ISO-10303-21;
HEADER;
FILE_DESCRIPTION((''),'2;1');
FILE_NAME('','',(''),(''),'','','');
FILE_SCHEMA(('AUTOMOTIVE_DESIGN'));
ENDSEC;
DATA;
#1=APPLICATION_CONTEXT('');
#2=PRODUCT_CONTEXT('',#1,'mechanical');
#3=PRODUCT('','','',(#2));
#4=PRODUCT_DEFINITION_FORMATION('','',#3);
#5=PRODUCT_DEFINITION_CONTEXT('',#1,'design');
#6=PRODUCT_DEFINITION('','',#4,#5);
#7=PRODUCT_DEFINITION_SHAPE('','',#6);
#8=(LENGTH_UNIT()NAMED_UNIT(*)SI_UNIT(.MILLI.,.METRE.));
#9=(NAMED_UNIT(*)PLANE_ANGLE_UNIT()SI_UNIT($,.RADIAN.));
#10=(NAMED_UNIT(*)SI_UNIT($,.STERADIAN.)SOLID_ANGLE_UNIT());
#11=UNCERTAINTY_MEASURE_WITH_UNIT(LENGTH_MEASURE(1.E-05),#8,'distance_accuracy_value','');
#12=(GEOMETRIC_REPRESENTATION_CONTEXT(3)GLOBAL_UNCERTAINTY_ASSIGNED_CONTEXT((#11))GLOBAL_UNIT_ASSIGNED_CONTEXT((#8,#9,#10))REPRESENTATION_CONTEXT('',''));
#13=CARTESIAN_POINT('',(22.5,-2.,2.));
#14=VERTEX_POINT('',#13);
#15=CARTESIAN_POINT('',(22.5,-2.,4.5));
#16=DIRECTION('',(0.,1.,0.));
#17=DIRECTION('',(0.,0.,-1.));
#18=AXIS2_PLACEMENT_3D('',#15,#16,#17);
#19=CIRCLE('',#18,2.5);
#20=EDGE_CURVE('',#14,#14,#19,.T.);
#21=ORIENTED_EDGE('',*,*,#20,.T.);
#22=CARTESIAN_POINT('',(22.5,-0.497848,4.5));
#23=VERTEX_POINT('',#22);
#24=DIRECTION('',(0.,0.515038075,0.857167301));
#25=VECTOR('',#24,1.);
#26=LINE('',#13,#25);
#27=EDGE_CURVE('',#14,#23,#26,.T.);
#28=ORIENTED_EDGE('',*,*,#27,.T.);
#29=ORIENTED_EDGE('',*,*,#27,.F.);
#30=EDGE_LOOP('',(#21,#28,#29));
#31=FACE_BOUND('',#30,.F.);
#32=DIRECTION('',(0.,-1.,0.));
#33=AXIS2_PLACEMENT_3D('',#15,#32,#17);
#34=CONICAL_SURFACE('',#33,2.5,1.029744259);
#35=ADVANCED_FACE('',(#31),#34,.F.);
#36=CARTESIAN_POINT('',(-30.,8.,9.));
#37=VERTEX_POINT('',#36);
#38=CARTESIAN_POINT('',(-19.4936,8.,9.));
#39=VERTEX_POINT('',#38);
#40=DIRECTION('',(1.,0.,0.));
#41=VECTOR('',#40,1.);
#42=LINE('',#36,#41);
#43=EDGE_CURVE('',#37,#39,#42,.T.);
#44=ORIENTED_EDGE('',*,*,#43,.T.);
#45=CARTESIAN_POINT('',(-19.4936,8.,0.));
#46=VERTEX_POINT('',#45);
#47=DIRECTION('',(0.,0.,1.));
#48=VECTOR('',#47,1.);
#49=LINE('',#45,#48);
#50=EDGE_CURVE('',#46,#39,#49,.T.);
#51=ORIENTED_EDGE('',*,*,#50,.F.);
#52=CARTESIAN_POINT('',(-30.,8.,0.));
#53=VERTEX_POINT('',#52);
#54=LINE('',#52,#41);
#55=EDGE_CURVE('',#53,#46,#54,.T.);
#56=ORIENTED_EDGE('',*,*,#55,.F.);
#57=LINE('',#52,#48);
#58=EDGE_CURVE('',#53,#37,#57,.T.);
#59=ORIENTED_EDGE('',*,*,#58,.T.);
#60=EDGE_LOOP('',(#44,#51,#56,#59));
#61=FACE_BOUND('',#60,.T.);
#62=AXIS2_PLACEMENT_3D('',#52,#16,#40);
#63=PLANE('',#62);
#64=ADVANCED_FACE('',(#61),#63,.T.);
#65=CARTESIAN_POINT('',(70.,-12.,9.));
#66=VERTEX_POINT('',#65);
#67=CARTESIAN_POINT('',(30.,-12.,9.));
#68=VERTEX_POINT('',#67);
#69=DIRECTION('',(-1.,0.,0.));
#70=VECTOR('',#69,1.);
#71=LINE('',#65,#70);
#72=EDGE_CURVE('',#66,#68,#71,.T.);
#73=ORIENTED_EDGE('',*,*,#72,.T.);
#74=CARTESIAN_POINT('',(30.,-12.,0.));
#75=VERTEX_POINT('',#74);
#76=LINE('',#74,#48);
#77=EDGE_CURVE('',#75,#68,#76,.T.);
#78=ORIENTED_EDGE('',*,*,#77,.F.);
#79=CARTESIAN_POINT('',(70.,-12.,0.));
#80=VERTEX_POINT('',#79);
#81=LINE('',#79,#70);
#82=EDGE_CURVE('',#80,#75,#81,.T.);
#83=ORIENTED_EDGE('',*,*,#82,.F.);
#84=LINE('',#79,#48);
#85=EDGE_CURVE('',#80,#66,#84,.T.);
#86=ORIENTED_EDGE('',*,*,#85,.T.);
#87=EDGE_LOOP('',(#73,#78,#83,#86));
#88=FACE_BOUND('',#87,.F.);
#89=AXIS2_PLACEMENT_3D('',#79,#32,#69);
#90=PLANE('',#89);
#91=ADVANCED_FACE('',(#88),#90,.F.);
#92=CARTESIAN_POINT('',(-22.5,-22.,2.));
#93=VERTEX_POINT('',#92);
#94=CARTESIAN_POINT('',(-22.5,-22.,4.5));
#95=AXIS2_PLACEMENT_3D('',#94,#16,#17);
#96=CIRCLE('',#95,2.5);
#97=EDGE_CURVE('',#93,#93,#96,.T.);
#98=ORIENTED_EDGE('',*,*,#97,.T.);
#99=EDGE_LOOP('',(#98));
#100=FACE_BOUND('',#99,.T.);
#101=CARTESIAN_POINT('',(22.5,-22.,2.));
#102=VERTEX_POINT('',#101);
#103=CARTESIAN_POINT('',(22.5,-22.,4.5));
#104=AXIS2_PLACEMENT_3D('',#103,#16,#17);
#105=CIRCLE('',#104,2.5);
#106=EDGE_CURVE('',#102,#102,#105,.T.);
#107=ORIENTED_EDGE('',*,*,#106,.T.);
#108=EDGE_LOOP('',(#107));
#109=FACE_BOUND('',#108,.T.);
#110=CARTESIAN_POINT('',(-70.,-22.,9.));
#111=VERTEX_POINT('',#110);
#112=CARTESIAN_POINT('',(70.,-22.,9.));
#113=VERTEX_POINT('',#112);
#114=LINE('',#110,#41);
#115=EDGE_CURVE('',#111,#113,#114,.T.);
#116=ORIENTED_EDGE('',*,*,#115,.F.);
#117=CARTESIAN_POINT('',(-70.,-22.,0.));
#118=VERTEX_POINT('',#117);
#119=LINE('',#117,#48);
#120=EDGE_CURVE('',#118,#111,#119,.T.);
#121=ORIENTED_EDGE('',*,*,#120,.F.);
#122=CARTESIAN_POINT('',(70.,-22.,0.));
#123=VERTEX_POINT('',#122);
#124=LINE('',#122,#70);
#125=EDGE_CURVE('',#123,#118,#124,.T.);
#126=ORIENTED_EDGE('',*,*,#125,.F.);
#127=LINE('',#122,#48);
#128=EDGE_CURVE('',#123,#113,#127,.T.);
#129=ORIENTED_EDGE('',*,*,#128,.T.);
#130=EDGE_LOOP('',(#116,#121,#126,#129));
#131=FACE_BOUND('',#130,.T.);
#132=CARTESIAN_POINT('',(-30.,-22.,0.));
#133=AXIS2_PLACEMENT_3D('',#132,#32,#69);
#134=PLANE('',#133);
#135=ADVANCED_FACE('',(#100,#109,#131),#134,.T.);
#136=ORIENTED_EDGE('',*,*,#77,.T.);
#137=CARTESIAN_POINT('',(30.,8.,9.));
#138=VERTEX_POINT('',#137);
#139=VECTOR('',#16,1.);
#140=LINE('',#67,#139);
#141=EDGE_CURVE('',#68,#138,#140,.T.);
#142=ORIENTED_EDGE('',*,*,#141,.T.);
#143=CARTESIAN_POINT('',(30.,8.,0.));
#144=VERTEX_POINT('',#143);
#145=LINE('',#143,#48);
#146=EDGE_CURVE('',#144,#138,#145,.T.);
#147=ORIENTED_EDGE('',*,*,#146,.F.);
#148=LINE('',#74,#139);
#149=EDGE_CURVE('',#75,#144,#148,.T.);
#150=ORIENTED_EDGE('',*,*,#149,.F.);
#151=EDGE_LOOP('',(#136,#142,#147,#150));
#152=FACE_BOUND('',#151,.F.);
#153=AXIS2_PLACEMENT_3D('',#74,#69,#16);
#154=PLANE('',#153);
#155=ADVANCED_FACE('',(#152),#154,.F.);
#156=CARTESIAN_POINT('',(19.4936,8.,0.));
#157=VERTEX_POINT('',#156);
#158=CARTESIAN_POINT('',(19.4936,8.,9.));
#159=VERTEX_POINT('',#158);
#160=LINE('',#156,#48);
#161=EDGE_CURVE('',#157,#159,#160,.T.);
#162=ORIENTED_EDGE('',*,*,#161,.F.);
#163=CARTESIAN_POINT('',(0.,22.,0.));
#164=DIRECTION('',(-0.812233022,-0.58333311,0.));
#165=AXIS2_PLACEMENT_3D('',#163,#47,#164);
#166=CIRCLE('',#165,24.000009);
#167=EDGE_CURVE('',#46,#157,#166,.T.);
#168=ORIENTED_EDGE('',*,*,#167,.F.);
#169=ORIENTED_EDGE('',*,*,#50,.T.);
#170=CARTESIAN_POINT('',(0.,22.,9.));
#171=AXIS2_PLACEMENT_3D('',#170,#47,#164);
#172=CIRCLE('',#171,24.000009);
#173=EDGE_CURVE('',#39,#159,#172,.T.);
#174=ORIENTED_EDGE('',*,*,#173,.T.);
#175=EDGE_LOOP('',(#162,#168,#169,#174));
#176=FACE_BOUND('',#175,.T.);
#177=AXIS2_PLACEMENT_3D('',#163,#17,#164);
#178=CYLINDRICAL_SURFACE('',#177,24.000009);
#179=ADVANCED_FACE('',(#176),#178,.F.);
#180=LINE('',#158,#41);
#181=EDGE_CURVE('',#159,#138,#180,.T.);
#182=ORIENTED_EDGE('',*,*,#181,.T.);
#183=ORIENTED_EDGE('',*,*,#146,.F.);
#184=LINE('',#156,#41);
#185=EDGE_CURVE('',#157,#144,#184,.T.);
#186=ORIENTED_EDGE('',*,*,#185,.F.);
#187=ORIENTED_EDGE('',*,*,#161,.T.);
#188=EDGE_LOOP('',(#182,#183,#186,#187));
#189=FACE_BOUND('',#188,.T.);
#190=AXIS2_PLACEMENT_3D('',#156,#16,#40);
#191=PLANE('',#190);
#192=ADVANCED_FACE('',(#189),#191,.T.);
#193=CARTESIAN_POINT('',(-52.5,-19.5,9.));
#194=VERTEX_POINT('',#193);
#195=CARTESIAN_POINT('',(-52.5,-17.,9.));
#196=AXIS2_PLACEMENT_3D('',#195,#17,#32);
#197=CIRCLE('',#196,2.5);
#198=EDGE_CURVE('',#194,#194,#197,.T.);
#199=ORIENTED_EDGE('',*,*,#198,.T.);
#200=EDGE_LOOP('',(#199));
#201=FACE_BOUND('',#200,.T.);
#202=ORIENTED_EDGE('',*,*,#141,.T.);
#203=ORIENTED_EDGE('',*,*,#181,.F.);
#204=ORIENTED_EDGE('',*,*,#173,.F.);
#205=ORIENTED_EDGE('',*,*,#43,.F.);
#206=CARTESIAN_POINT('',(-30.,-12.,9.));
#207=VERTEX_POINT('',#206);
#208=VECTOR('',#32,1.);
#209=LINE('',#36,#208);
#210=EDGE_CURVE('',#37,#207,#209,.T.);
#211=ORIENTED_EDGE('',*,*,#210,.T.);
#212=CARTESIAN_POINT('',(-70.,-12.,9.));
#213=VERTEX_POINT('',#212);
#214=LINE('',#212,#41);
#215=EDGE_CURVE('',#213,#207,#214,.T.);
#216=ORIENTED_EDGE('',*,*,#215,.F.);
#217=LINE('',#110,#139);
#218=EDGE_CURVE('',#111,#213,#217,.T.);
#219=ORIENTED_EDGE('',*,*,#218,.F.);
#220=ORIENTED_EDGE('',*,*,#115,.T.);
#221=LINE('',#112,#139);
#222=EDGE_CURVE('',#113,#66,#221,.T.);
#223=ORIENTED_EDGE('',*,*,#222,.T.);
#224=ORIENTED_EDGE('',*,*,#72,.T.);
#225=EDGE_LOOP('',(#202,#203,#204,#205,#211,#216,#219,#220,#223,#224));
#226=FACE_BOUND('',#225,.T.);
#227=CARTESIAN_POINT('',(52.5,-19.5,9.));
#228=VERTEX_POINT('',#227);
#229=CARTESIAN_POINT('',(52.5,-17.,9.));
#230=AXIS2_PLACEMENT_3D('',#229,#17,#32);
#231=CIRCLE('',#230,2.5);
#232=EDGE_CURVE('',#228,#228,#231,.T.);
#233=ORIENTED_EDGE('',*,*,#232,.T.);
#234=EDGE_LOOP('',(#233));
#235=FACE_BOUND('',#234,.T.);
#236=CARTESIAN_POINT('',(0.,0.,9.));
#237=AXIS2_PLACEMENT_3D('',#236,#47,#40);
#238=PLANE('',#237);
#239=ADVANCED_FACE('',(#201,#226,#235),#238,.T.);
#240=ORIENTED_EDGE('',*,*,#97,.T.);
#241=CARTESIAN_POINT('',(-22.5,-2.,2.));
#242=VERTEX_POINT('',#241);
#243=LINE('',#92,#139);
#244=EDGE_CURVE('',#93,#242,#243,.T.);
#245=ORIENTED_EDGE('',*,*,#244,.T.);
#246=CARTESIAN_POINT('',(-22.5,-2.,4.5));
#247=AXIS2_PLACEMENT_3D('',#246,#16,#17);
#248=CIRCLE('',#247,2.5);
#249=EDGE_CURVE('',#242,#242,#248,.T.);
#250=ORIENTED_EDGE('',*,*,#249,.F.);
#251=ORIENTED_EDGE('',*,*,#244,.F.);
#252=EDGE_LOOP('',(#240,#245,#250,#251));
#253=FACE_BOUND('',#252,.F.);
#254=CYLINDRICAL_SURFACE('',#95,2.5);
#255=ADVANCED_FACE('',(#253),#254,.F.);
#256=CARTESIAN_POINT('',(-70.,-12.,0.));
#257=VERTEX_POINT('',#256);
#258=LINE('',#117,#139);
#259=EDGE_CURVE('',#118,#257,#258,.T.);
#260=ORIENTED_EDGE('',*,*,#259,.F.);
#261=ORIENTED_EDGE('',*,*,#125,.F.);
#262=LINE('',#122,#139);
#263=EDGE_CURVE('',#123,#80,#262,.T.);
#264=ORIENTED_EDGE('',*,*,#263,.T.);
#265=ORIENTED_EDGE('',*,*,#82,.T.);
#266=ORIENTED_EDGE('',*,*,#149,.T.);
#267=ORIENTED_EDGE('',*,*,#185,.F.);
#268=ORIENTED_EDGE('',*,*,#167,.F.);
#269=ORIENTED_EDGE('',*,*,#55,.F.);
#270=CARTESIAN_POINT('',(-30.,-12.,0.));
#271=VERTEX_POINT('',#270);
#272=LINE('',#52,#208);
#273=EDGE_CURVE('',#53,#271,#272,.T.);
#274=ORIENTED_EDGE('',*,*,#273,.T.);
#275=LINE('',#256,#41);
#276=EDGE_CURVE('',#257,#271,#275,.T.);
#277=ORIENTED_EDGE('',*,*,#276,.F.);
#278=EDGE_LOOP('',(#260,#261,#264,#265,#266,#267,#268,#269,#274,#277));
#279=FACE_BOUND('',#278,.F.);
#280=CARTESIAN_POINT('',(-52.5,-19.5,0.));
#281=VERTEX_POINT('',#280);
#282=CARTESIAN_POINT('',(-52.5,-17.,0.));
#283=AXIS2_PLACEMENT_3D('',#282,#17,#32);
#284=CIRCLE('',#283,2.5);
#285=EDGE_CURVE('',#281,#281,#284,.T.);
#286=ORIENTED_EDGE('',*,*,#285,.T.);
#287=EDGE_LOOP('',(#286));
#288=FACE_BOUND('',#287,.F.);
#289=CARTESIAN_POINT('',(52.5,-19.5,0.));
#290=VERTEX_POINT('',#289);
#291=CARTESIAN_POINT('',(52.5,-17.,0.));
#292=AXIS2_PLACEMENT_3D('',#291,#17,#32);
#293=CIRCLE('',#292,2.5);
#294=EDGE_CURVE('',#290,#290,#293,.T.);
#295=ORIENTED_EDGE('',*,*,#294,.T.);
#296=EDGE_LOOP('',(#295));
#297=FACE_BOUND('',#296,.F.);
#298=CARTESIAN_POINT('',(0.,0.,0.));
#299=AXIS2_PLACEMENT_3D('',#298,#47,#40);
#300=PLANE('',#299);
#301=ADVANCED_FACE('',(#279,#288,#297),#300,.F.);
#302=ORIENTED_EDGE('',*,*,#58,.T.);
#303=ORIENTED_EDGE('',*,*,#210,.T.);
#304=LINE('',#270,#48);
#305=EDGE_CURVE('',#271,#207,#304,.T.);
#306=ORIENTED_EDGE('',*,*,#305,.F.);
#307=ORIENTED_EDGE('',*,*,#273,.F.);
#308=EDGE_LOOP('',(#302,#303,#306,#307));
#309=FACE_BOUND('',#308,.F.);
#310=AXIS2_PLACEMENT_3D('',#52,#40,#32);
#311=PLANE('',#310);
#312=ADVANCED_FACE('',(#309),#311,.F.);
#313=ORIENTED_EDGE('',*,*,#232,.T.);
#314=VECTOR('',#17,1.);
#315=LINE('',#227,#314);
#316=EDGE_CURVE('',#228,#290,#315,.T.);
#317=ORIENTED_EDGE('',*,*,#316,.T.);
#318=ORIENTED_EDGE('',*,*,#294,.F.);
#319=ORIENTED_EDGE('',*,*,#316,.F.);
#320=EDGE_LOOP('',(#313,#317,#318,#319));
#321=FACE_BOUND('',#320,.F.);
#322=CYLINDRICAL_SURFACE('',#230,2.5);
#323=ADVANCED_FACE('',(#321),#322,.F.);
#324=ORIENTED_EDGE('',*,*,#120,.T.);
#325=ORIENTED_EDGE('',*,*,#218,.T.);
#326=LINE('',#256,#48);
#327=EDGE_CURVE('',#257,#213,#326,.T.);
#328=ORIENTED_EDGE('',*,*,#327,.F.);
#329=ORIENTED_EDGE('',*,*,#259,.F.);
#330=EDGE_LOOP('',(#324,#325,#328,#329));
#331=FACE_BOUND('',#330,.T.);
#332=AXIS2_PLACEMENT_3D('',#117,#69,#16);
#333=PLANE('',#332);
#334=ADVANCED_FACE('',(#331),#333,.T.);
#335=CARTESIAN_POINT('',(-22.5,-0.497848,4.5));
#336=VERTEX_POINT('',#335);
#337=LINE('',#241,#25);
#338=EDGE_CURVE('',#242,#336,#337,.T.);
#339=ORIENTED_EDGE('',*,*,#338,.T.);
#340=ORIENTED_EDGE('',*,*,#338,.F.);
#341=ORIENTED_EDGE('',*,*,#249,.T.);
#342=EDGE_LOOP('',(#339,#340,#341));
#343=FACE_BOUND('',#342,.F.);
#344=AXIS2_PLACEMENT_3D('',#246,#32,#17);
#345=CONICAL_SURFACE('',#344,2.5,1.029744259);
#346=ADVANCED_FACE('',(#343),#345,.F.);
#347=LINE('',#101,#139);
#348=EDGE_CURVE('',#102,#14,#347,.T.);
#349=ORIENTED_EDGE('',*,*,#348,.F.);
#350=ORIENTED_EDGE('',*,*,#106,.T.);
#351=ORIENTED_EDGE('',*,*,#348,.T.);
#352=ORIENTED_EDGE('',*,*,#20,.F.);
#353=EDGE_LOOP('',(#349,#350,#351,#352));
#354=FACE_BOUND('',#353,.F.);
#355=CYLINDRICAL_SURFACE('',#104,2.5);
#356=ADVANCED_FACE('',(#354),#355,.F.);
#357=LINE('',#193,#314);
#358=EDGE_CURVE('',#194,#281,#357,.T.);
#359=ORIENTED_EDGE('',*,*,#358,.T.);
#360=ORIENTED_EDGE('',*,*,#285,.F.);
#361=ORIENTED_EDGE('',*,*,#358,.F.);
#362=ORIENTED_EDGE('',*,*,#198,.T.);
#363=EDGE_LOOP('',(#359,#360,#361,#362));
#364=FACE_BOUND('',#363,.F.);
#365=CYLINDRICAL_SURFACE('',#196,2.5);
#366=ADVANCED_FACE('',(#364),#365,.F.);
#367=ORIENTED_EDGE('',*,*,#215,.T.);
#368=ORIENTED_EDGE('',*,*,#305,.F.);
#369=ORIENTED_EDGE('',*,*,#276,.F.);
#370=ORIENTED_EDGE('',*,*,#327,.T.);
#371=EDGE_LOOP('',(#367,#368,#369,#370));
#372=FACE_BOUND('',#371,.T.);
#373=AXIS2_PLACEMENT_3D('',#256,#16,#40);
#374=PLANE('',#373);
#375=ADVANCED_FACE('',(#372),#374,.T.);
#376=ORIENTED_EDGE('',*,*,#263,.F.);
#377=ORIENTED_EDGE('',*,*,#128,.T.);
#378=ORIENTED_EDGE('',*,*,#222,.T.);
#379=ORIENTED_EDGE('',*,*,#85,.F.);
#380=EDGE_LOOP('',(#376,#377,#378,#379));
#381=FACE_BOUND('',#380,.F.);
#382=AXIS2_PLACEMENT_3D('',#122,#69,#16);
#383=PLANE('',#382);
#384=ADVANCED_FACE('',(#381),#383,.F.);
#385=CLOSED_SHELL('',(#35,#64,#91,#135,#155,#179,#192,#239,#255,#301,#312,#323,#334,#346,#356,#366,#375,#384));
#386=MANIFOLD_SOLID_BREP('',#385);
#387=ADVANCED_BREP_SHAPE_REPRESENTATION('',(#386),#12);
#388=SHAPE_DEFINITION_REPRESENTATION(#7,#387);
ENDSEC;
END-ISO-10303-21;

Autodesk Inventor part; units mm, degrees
ref_plane "YZ Plane" through (0, 0, 0) normal (1, 0, 0) x (0, 1, 0)
ref_plane "XZ Plane" through (0, 0, 0) normal (0, 1, 0) x (-1, 0, 0)
ref_plane "XY Plane" through (0, 0, 0) normal (0, 0, 1) x (1, 0, 0)
sketch "Boceto3" plane through (0, 0, 0) normal (0, 0, 1) x (1, 0, 0)
  line L0 (-30, 8) -> (-30, -12)
  line L1 (-30, -22) -> (30, -22)
  line L2 (30, -12) -> (30, 8)
  arc A0 (-19.4936, 8) -> (19.4936, 8) centre (0, 22) ccw
  line L3 (-30, 8) -> (-19.4936, 8)
  line L4 (19.4936, 8) -> (30, 8)
  line L5 (-30, -22) -> (-70, -22)
  line L6 (-70, -22) -> (-70, -12)
  line L7 (-70, -12) -> (-30, -12)
  line L8 (30, -22) -> (70, -22)
  line L9 (70, -22) -> (70, -12)
  line L10 (70, -12) -> (30, -12)
  point P0 (0, 0)
  point P1 (0, -22)
  point P2 (30, 0)
  dimension "d16" = 60
  dimension "d38" = 24
  dimension "d39" = 10.5064
  dimension "d40" = 10.5064
  dimension "d41" = 30
  dimension "d42" = 30
  dimension "d43" = 22
  dimension "d44" = 40
  dimension "d45" = 10
  dimension "d46" = 40
  dimension "d47" = 10
extrude "Extrusión2" add sketch "Boceto3" along normal blind 9
sketch "Boceto5" plane through (0, 0, 9) normal (0, 0, 1) x (1, 0, 0)
  line L0 (-70, -22) -> (70, -22) projected
  line L1 (70, -22) -> (70, -12) projected
  line L2 (70, -12) -> (30, -12) projected
  line L3 (30, -12) -> (30, 8) projected
  line L4 (30, 8) -> (19.4936, 8) projected
  arc A0 (-19.4936, 8) -> (19.4936, 8) centre (0, 22) ccw projected
  line L5 (-19.4936, 8) -> (-30, 8) projected
  line L6 (-30, 8) -> (-30, -12) projected
  line L7 (-30, -12) -> (-70, -12) projected
  line L8 (-70, -12) -> (-70, -22) projected
  point P0 (0, 0)
  point P1 (-52.5, -17)
  point P2 (52.5, -17)
  dimension "d55" = 5
  dimension "d56" = 17.5
  dimension "d57" = 5
  dimension "d58" = 17.5
hole "Agujero2" at (-52.5, -17, 9) at (52.5, -17, 9) direction (0, 0, -1) diameter 5 depth 10 tip angle 118
sketch "Boceto6" plane through (-70, -22, 0) normal (0, -1, 0) x (1, 0, 0)
  line L0 (0, 0) -> (140, 0) projected
  line L1 (140, 0) -> (140, 9) projected
  line L2 (0, 9) -> (140, 9) projected
  line L3 (0, 0) -> (0, 9) projected
  line L4 (40, 0) -> (40, 9) projected
  line L5 (100, 0) -> (100, 9) projected
  point P0 (70, 0)
  point P1 (47.5, 4.5)
  point P2 (92.5, 4.5)
  dimension "d67" = 47.5
  dimension "d68" = 47.5
  dimension "d69" = 4.5
  dimension "d70" = 4.5
hole "Agujero3" at (-22.5, -22, 4.5) at (22.5, -22, 4.5) direction (0, 1, 0) diameter 5 depth 20 tip angle 118
properties part number "Soporte para Motor 2" material "Abedul"
